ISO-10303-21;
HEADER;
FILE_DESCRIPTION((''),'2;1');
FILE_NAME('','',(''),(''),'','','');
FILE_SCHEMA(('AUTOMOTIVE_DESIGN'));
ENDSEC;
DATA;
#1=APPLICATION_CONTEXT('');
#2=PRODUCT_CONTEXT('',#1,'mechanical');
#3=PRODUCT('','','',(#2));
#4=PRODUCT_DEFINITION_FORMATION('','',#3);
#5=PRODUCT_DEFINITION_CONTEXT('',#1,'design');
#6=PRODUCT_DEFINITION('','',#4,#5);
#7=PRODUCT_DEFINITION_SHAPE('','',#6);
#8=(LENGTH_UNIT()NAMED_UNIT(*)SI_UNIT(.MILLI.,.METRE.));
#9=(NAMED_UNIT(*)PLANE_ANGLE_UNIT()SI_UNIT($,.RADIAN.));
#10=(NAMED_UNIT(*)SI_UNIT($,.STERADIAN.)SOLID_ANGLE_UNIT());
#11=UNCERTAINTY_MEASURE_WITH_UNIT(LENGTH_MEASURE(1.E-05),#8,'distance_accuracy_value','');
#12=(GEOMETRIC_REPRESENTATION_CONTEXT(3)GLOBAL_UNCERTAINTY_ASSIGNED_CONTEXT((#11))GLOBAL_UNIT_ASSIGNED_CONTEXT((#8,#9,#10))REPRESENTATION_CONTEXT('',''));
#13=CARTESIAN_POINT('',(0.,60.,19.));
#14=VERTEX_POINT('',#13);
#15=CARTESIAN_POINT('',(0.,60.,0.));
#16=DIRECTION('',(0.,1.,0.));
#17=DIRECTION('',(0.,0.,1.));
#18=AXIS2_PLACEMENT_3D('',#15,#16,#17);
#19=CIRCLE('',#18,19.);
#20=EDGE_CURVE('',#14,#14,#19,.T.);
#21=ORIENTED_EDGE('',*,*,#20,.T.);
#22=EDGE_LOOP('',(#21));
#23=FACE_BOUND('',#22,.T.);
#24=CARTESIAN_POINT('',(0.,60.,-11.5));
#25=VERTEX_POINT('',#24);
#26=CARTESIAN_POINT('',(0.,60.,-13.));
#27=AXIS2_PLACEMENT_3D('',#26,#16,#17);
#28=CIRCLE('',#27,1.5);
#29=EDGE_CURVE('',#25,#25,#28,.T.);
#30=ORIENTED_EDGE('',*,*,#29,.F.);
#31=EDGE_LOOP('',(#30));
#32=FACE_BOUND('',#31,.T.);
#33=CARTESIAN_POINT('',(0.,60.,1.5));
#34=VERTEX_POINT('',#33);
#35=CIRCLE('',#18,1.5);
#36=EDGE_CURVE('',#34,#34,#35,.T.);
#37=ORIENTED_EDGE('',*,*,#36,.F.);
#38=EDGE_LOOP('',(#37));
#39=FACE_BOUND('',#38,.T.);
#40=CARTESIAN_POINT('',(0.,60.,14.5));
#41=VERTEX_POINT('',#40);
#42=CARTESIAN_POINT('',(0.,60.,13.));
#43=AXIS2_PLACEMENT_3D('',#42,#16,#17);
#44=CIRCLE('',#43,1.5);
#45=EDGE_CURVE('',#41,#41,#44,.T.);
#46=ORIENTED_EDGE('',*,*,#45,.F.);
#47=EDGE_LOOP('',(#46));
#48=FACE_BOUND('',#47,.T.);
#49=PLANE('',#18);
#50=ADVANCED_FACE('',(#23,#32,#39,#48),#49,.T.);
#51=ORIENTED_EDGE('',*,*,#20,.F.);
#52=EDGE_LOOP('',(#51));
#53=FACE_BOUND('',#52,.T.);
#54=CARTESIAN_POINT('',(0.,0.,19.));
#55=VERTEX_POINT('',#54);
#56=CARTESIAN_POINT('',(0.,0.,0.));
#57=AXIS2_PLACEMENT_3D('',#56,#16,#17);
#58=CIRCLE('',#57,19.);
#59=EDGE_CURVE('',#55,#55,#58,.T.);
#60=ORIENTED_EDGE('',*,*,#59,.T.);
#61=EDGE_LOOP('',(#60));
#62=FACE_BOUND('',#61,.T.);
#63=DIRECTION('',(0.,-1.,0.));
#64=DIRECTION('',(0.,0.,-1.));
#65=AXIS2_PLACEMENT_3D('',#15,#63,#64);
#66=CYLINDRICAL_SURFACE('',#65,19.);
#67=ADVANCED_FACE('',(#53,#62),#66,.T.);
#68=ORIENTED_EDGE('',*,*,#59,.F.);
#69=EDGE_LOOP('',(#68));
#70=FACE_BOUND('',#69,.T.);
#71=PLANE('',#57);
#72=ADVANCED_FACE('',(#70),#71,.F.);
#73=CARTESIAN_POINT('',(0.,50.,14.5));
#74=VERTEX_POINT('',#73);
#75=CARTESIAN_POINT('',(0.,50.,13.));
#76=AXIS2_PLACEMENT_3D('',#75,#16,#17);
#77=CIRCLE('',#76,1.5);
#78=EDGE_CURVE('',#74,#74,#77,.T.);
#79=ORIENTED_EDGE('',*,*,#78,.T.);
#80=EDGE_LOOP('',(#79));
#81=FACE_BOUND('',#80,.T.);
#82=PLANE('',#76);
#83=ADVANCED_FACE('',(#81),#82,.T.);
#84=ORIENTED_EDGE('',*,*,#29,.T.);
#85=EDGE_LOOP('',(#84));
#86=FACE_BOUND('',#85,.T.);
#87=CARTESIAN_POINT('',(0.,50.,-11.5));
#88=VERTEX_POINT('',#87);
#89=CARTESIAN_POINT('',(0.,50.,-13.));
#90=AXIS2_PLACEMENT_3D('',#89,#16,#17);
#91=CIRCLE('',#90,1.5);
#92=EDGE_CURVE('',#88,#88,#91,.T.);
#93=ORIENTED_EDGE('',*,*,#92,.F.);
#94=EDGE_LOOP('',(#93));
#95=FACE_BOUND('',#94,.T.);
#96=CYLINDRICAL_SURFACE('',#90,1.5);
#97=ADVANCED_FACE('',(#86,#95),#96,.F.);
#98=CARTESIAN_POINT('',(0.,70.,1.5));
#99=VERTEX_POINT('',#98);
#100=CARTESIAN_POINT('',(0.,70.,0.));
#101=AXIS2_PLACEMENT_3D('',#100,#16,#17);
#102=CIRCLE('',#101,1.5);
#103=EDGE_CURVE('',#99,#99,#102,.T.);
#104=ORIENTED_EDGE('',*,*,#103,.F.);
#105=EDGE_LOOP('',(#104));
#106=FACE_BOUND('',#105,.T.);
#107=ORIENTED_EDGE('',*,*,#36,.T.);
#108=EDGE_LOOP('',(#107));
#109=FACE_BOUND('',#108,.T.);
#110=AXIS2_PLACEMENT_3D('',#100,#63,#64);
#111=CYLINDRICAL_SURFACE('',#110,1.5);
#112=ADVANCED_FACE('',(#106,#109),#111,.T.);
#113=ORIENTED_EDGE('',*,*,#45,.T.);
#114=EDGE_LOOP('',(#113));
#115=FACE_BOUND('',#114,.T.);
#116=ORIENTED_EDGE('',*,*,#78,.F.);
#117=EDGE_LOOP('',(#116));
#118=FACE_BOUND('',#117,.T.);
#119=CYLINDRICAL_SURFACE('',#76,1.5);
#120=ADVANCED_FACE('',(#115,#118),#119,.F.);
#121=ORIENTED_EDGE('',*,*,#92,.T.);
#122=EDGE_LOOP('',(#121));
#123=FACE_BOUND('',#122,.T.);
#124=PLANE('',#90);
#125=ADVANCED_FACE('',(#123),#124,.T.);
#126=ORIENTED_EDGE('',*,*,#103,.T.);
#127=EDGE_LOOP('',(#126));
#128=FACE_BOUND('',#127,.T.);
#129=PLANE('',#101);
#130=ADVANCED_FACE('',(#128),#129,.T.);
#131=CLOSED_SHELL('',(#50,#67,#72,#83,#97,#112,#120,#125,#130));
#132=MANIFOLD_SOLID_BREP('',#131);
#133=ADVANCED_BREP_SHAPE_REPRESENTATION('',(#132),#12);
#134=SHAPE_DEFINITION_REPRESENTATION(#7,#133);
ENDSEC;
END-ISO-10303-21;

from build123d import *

# Parameters (mm, degrees)
SKETCH1_R           = 19
BOSS_EXTRUDE1_DEPTH = 60
SKETCH2_R           = 1.5
BOSS_EXTRUDE2_DEPTH = 10
SKETCH3_R           = 1.5
CUT_EXTRUDE1_DEPTH  = 10


with BuildPart() as part:
    # Sketch1 → Boss-Extrude1 (new body)
    with BuildSketch(Plane(origin=(0, 0, 0), x_dir=(1, 0, 0), z_dir=(0, 1, 0))):
        with Locations(Location((0, 0, 0), (0, 0, 270))):
            Circle(SKETCH1_R)
    extrude(amount=BOSS_EXTRUDE1_DEPTH)

    # Sketch2 → Boss-Extrude2 (add)
    with BuildSketch(Plane(origin=(0, 60, 0), x_dir=(1, 0, 0), z_dir=(0, 1, 0))):
        with Locations(Location((0, 0, 0), (0, 0, 270))):
            Circle(SKETCH2_R)
    extrude(amount=BOSS_EXTRUDE2_DEPTH)

    # Sketch3 → Cut-Extrude1 (cut)
    with BuildSketch(Plane(origin=(0, 60, 0), x_dir=(1, 0, 0), z_dir=(0, 1, 0))):
        with Locations(Location((0, -13, 0), (0, 0, 270))):
            Circle(SKETCH3_R)
        with Locations(Location((0, 13, 0), (0, 0, 270))):
            Circle(SKETCH3_R)
    extrude(amount=-CUT_EXTRUDE1_DEPTH, mode=Mode.SUBTRACT)


solid = part.part
